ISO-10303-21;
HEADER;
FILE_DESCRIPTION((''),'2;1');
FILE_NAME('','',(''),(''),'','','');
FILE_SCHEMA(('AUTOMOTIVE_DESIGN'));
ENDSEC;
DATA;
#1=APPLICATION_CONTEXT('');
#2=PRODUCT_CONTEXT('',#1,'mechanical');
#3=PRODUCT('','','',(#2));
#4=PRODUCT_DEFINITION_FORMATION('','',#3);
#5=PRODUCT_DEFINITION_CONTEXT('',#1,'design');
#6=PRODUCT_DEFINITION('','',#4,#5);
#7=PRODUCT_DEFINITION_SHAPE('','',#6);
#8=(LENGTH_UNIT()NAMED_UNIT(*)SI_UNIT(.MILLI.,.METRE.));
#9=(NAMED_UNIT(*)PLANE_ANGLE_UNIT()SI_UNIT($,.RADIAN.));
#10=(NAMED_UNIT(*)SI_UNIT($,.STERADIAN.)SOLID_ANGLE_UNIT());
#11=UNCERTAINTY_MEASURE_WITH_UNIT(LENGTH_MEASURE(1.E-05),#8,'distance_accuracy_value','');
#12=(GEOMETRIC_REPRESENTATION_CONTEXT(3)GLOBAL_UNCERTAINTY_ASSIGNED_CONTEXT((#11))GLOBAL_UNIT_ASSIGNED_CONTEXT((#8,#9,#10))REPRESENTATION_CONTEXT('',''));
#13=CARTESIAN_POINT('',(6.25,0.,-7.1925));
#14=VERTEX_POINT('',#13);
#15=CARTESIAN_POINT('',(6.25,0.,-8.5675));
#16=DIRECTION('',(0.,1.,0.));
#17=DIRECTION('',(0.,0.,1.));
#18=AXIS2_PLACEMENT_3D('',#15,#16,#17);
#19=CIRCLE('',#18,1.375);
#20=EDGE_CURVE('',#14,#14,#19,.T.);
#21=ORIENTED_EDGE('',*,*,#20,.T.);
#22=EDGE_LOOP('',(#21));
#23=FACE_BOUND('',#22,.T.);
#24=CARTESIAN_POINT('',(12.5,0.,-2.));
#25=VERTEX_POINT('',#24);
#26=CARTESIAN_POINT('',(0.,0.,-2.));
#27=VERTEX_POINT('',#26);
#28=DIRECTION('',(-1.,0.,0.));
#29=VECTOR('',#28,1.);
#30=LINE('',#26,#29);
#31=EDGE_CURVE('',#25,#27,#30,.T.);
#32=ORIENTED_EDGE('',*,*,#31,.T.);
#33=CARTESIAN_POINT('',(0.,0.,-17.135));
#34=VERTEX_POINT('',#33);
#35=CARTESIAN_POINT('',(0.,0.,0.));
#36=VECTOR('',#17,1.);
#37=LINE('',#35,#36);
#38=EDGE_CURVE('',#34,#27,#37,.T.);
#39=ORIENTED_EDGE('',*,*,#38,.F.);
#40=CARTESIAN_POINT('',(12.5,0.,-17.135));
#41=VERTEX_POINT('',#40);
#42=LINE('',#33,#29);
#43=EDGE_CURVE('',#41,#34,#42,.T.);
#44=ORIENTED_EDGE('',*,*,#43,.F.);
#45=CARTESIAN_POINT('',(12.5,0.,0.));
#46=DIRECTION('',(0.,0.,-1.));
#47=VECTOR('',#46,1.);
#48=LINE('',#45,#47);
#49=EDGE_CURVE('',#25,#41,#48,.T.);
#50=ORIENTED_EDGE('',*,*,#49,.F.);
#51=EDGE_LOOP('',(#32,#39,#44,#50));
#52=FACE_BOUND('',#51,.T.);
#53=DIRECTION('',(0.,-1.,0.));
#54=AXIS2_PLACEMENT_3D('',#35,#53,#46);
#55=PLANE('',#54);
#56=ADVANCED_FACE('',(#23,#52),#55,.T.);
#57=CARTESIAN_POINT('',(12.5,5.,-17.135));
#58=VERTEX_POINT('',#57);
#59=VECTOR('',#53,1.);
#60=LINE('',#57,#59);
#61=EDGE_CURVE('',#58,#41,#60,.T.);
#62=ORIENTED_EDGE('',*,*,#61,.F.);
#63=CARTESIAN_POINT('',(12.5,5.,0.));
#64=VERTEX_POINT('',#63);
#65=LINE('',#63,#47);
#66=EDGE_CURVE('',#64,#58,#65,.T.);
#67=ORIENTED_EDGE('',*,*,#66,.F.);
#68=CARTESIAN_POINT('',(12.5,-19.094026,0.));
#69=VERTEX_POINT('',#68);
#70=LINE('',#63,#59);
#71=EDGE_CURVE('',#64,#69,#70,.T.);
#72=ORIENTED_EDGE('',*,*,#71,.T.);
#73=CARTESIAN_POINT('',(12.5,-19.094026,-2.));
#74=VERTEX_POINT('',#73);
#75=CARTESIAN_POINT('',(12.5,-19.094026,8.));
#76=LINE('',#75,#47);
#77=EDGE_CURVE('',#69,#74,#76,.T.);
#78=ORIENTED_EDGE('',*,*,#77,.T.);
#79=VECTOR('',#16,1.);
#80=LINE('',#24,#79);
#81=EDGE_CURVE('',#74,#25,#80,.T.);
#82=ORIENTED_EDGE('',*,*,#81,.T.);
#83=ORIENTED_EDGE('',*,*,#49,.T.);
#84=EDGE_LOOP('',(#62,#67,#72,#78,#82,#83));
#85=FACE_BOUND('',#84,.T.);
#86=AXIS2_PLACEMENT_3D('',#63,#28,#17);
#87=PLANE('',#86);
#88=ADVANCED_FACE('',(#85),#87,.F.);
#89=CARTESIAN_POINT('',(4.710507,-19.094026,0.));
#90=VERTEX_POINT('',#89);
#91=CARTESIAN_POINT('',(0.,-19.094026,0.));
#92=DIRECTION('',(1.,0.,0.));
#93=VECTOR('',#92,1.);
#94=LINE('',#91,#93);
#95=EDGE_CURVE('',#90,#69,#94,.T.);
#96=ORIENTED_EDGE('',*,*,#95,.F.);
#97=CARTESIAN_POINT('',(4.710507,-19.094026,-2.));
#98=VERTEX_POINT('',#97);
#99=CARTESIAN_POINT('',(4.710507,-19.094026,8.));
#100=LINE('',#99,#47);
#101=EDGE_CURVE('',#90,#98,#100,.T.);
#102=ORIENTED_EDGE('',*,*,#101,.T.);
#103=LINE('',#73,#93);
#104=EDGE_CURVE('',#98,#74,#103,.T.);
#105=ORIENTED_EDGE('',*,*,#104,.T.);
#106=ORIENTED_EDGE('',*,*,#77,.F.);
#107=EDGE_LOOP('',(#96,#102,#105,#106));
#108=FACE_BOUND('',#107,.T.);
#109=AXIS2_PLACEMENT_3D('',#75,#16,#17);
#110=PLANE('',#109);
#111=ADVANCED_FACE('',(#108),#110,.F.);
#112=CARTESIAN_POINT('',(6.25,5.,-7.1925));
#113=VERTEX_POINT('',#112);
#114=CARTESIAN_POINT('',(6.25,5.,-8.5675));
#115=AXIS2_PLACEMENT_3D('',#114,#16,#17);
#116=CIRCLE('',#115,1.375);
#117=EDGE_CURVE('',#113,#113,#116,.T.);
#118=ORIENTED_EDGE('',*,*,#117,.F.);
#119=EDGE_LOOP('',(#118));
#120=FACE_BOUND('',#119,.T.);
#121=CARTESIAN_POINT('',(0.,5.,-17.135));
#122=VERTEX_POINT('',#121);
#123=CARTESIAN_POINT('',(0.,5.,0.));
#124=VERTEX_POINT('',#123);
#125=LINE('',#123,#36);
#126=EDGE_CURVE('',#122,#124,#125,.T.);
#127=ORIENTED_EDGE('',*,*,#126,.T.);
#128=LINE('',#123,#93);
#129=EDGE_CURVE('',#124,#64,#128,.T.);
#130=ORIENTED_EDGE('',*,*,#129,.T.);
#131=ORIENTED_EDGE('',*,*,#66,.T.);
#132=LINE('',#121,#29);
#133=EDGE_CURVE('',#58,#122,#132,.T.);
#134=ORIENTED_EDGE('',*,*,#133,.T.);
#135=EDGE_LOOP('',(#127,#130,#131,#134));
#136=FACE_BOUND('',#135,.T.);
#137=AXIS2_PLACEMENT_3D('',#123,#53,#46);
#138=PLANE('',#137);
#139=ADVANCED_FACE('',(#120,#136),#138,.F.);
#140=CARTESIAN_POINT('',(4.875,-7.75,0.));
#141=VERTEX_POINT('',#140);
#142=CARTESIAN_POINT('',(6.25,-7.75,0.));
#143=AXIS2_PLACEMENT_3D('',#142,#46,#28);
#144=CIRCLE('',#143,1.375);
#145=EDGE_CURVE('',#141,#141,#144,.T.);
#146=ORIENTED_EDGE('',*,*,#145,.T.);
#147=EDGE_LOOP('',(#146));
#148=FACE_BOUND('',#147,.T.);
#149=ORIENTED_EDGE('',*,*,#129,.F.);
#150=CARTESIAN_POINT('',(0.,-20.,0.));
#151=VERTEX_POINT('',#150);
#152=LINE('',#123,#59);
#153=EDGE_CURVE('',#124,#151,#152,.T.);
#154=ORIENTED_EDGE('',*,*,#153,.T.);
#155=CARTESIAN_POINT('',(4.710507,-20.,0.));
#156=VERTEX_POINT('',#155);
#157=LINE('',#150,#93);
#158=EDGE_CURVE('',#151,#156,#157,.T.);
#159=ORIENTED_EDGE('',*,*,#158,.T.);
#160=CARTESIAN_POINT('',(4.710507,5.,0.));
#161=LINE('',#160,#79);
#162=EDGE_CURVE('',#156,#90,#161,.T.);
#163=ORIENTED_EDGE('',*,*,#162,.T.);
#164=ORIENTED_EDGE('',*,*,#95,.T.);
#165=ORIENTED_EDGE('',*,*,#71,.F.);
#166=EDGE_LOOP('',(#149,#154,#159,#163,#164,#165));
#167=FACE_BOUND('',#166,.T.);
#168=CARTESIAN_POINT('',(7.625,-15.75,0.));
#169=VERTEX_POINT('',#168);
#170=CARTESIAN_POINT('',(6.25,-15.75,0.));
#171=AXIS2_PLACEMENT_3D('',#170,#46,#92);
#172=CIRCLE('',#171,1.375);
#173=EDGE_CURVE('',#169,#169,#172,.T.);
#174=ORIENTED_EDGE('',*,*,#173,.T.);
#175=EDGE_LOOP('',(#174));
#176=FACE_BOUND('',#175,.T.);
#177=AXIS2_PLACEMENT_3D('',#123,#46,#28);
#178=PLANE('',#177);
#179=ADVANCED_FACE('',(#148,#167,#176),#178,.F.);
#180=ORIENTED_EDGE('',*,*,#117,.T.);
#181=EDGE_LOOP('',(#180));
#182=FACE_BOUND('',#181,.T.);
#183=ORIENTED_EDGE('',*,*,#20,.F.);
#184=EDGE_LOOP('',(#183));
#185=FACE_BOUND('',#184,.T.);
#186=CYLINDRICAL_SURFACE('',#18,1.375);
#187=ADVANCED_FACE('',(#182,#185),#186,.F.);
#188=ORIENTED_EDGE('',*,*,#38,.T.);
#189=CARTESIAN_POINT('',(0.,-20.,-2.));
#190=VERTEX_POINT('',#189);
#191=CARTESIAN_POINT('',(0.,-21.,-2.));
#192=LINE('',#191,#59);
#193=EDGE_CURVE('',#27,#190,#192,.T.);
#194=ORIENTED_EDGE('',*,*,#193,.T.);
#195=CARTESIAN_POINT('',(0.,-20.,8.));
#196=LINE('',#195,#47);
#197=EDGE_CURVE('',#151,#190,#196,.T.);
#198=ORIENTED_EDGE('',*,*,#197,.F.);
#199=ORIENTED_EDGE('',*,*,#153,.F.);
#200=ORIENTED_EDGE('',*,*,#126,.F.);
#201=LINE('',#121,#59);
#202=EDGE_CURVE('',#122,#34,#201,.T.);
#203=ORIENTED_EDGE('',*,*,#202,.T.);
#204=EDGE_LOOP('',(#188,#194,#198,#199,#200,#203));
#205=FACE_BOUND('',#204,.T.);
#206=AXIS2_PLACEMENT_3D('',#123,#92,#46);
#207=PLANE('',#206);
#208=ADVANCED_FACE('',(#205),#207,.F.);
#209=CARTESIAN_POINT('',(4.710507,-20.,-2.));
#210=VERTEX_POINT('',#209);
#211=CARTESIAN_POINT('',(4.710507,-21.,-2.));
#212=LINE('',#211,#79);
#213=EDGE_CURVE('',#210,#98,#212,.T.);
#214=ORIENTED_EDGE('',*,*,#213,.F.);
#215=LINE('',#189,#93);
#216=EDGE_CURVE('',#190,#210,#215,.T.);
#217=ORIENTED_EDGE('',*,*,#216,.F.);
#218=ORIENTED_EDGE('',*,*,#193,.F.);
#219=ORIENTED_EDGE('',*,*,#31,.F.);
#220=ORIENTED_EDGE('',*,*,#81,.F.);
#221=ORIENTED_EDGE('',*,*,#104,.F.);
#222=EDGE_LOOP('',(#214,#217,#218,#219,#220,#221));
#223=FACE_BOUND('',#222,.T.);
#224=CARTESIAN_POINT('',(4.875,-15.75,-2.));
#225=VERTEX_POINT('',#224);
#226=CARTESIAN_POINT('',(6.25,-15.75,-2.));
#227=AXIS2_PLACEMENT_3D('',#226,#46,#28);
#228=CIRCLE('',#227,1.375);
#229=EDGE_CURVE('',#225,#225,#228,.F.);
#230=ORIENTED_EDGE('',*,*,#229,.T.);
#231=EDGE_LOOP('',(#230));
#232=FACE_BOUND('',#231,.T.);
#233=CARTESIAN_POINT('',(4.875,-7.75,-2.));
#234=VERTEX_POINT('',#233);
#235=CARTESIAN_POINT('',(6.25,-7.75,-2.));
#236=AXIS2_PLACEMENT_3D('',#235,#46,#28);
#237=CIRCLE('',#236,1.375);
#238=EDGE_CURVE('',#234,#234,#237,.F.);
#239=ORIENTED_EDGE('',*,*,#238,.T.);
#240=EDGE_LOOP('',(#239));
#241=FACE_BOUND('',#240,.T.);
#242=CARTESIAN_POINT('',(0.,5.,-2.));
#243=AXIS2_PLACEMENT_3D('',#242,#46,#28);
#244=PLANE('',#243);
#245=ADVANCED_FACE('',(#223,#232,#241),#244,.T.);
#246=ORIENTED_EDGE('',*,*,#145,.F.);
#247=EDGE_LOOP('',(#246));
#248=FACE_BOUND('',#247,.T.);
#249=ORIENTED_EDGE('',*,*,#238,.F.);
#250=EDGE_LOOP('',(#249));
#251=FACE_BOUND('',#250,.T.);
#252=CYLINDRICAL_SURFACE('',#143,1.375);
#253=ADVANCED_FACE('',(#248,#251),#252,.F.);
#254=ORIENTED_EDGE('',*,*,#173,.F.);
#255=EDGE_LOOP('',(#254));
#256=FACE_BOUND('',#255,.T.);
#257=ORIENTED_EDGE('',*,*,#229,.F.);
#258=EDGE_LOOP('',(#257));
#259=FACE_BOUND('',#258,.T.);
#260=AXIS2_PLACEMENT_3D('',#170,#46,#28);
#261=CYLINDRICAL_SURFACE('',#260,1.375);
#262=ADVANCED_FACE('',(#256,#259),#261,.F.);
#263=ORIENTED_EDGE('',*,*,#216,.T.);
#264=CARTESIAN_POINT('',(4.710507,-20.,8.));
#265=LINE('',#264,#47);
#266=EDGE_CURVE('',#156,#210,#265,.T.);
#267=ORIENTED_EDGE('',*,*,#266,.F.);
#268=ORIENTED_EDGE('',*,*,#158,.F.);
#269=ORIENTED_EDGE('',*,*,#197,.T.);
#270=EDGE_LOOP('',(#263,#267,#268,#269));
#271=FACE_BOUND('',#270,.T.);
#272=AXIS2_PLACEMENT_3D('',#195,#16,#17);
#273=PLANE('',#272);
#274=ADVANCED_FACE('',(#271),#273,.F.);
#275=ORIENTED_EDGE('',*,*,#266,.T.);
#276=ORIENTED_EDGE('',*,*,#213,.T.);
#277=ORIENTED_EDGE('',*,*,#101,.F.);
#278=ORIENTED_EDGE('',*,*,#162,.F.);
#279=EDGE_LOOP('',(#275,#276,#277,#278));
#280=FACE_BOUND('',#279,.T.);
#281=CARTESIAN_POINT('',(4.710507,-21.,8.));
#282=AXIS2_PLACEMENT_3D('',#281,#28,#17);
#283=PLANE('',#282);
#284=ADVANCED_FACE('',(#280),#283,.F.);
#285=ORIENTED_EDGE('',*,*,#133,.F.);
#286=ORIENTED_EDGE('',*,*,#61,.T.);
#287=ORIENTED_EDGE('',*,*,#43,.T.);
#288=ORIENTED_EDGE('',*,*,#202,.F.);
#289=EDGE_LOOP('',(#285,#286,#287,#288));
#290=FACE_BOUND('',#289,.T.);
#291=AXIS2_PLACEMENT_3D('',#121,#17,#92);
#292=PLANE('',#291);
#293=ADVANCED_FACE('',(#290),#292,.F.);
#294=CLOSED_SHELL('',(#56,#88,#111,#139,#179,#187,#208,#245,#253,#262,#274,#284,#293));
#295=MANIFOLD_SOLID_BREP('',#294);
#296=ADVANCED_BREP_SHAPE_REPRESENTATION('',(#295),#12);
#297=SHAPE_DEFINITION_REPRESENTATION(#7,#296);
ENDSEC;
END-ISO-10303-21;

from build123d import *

# Parameters (mm, degrees)
SKETCH1_W                  = 12.5
SKETCH1_H                  = 17.135
TABBASE_DEPTH              = 5
SKETCH2_R                  = 1.375
CHASSISMOUNTINGHOLE_DEPTH  = 5
SKETCH3_W                  = 12.5
SKETCH3_H                  = 26
FRONTTAB_DEPTH             = 5
FRONTMOUNTINGHOLESSKETCH_R = 1.375
FRONTMOUNTINGHOLES_DEPTH   = 5
SKETCH4_W                  = 12.5
SKETCH4_H                  = 21
SKETCH4_R                  = 1.375
CUT_EXTRUDE1_DEPTH         = 3
SKETCH6_W                  = 7.78949329
SKETCH6_H                  = 1.90597399
CUT_EXTRUDE2_DEPTH         = 10
SKETCH7_W                  = 4.71050671
SKETCH7_H                  = 1
CUT_EXTRUDE3_DEPTH         = 10


with BuildPart() as part:
    # Sketch1 → tabBase (new body)
    with BuildSketch(Plane(origin=(0, 0, 0), x_dir=(1, 0, 0), z_dir=(0, 1, 0))):
        with Locations((6.25, 8.5675)):
            Rectangle(SKETCH1_W, SKETCH1_H)
    extrude(amount=TABBASE_DEPTH)

    # Sketch2 → chassisMountingHole (cut)
    with BuildSketch(Plane(origin=(0, 5, 0), x_dir=(1, 0, 0), z_dir=(0, 1, 0))):
        with Locations((6.25, 8.5675)):
            Circle(SKETCH2_R)
    extrude(amount=-CHASSISMOUNTINGHOLE_DEPTH, mode=Mode.SUBTRACT)

    # Sketch3 → frontTab (add)
    with BuildSketch(Plane.XY):
        with Locations((6.25, -8)):
            Rectangle(SKETCH3_W, SKETCH3_H)
    extrude(amount=-FRONTTAB_DEPTH)

    # frontMountingHolesSketch → frontMountingHoles (cut)
    with BuildSketch(Plane(origin=(0, 0, -5), x_dir=(-1, 0, 0), z_dir=(0, 0, -1))):
        with Locations((-6.25, -15.75)):
            Circle(FRONTMOUNTINGHOLESSKETCH_R)
        with Locations((-6.25, -7.75)):
            Circle(FRONTMOUNTINGHOLESSKETCH_R)
    extrude(amount=-FRONTMOUNTINGHOLES_DEPTH, mode=Mode.SUBTRACT)

    # Sketch4 → Cut-Extrude1 (cut)
    with BuildSketch(Plane(origin=(0, 0, -5), x_dir=(-1, 0, 0), z_dir=(0, 0, -1))):
        with Locations((-6.25, -10.5)):
            Rectangle(SKETCH4_W, SKETCH4_H)
        with Locations((-6.25, -15.75)):
            Circle(SKETCH4_R, mode=Mode.SUBTRACT)
        with Locations((-6.25, -7.75)):
            Circle(SKETCH4_R, mode=Mode.SUBTRACT)
    extrude(amount=-CUT_EXTRUDE1_DEPTH, mode=Mode.SUBTRACT)

    # Sketch6 → Cut-Extrude2 (cut)
    with BuildSketch(Plane(origin=(0, 0, -2), x_dir=(-1, 0, 0), z_dir=(0, 0, -1))):
        with Locations((-8.605253355, -20.047013005)):
            Rectangle(SKETCH6_W, SKETCH6_H)
    extrude(amount=-CUT_EXTRUDE2_DEPTH, mode=Mode.SUBTRACT)

    # Sketch7 → Cut-Extrude3 (cut)
    with BuildSketch(Plane(origin=(0, 0, -2), x_dir=(-1, 0, 0), z_dir=(0, 0, -1))):
        with Locations((-2.355253355, -20.5)):
            Rectangle(SKETCH7_W, SKETCH7_H)
    extrude(amount=-CUT_EXTRUDE3_DEPTH, mode=Mode.SUBTRACT)


solid = part.part
